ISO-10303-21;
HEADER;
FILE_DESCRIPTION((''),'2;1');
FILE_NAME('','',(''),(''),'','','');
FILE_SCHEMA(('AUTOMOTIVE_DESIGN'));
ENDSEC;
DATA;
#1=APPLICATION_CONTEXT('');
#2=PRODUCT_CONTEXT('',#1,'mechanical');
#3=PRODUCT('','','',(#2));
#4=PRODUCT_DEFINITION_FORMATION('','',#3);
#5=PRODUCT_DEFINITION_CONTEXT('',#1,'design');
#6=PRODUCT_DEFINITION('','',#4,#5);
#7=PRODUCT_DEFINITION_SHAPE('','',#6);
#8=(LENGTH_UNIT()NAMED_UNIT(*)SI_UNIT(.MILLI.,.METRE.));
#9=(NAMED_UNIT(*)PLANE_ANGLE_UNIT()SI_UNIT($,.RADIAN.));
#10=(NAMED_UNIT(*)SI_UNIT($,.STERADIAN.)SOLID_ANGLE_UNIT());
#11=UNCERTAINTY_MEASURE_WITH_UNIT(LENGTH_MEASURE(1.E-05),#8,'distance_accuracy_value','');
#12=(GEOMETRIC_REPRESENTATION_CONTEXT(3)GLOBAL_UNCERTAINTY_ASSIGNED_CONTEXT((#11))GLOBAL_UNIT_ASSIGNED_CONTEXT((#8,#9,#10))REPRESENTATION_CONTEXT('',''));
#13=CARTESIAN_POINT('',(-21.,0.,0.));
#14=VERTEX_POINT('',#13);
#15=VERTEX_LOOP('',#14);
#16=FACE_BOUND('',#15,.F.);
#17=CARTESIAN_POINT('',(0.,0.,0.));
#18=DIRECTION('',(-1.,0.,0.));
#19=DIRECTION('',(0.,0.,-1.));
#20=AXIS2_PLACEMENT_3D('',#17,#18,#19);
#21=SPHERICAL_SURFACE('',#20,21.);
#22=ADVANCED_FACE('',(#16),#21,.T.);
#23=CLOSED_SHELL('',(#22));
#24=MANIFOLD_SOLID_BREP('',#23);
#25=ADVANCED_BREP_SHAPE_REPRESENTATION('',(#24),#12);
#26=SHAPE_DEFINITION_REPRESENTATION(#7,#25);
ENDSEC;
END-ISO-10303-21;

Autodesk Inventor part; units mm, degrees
ref_plane "YZ Plane" through (0, 0, 0) normal (1, 0, 0) x (0, 1, 0)
ref_plane "XZ Plane" through (0, 0, 0) normal (0, 1, 0) x (-1, 0, 0)
ref_plane "XY Plane" through (0, 0, 0) normal (0, 0, 1) x (1, 0, 0)
sketch "スケッチ1" plane through (0, 0, 0) normal (0, 1, 0) x (-1, 0, 0)
  circle A0 centre (0, 0) radius 21
  line L0 (21, 0) -> (-21, 0)
  dimension "d0" = 42
revolve "回転1" add sketch "スケッチ1" angle 360 about axis through (-21, 0, 0) along (1, 0, 0) picked at (1.6456, -10.202) contours A0 L0
properties part number "ball"
